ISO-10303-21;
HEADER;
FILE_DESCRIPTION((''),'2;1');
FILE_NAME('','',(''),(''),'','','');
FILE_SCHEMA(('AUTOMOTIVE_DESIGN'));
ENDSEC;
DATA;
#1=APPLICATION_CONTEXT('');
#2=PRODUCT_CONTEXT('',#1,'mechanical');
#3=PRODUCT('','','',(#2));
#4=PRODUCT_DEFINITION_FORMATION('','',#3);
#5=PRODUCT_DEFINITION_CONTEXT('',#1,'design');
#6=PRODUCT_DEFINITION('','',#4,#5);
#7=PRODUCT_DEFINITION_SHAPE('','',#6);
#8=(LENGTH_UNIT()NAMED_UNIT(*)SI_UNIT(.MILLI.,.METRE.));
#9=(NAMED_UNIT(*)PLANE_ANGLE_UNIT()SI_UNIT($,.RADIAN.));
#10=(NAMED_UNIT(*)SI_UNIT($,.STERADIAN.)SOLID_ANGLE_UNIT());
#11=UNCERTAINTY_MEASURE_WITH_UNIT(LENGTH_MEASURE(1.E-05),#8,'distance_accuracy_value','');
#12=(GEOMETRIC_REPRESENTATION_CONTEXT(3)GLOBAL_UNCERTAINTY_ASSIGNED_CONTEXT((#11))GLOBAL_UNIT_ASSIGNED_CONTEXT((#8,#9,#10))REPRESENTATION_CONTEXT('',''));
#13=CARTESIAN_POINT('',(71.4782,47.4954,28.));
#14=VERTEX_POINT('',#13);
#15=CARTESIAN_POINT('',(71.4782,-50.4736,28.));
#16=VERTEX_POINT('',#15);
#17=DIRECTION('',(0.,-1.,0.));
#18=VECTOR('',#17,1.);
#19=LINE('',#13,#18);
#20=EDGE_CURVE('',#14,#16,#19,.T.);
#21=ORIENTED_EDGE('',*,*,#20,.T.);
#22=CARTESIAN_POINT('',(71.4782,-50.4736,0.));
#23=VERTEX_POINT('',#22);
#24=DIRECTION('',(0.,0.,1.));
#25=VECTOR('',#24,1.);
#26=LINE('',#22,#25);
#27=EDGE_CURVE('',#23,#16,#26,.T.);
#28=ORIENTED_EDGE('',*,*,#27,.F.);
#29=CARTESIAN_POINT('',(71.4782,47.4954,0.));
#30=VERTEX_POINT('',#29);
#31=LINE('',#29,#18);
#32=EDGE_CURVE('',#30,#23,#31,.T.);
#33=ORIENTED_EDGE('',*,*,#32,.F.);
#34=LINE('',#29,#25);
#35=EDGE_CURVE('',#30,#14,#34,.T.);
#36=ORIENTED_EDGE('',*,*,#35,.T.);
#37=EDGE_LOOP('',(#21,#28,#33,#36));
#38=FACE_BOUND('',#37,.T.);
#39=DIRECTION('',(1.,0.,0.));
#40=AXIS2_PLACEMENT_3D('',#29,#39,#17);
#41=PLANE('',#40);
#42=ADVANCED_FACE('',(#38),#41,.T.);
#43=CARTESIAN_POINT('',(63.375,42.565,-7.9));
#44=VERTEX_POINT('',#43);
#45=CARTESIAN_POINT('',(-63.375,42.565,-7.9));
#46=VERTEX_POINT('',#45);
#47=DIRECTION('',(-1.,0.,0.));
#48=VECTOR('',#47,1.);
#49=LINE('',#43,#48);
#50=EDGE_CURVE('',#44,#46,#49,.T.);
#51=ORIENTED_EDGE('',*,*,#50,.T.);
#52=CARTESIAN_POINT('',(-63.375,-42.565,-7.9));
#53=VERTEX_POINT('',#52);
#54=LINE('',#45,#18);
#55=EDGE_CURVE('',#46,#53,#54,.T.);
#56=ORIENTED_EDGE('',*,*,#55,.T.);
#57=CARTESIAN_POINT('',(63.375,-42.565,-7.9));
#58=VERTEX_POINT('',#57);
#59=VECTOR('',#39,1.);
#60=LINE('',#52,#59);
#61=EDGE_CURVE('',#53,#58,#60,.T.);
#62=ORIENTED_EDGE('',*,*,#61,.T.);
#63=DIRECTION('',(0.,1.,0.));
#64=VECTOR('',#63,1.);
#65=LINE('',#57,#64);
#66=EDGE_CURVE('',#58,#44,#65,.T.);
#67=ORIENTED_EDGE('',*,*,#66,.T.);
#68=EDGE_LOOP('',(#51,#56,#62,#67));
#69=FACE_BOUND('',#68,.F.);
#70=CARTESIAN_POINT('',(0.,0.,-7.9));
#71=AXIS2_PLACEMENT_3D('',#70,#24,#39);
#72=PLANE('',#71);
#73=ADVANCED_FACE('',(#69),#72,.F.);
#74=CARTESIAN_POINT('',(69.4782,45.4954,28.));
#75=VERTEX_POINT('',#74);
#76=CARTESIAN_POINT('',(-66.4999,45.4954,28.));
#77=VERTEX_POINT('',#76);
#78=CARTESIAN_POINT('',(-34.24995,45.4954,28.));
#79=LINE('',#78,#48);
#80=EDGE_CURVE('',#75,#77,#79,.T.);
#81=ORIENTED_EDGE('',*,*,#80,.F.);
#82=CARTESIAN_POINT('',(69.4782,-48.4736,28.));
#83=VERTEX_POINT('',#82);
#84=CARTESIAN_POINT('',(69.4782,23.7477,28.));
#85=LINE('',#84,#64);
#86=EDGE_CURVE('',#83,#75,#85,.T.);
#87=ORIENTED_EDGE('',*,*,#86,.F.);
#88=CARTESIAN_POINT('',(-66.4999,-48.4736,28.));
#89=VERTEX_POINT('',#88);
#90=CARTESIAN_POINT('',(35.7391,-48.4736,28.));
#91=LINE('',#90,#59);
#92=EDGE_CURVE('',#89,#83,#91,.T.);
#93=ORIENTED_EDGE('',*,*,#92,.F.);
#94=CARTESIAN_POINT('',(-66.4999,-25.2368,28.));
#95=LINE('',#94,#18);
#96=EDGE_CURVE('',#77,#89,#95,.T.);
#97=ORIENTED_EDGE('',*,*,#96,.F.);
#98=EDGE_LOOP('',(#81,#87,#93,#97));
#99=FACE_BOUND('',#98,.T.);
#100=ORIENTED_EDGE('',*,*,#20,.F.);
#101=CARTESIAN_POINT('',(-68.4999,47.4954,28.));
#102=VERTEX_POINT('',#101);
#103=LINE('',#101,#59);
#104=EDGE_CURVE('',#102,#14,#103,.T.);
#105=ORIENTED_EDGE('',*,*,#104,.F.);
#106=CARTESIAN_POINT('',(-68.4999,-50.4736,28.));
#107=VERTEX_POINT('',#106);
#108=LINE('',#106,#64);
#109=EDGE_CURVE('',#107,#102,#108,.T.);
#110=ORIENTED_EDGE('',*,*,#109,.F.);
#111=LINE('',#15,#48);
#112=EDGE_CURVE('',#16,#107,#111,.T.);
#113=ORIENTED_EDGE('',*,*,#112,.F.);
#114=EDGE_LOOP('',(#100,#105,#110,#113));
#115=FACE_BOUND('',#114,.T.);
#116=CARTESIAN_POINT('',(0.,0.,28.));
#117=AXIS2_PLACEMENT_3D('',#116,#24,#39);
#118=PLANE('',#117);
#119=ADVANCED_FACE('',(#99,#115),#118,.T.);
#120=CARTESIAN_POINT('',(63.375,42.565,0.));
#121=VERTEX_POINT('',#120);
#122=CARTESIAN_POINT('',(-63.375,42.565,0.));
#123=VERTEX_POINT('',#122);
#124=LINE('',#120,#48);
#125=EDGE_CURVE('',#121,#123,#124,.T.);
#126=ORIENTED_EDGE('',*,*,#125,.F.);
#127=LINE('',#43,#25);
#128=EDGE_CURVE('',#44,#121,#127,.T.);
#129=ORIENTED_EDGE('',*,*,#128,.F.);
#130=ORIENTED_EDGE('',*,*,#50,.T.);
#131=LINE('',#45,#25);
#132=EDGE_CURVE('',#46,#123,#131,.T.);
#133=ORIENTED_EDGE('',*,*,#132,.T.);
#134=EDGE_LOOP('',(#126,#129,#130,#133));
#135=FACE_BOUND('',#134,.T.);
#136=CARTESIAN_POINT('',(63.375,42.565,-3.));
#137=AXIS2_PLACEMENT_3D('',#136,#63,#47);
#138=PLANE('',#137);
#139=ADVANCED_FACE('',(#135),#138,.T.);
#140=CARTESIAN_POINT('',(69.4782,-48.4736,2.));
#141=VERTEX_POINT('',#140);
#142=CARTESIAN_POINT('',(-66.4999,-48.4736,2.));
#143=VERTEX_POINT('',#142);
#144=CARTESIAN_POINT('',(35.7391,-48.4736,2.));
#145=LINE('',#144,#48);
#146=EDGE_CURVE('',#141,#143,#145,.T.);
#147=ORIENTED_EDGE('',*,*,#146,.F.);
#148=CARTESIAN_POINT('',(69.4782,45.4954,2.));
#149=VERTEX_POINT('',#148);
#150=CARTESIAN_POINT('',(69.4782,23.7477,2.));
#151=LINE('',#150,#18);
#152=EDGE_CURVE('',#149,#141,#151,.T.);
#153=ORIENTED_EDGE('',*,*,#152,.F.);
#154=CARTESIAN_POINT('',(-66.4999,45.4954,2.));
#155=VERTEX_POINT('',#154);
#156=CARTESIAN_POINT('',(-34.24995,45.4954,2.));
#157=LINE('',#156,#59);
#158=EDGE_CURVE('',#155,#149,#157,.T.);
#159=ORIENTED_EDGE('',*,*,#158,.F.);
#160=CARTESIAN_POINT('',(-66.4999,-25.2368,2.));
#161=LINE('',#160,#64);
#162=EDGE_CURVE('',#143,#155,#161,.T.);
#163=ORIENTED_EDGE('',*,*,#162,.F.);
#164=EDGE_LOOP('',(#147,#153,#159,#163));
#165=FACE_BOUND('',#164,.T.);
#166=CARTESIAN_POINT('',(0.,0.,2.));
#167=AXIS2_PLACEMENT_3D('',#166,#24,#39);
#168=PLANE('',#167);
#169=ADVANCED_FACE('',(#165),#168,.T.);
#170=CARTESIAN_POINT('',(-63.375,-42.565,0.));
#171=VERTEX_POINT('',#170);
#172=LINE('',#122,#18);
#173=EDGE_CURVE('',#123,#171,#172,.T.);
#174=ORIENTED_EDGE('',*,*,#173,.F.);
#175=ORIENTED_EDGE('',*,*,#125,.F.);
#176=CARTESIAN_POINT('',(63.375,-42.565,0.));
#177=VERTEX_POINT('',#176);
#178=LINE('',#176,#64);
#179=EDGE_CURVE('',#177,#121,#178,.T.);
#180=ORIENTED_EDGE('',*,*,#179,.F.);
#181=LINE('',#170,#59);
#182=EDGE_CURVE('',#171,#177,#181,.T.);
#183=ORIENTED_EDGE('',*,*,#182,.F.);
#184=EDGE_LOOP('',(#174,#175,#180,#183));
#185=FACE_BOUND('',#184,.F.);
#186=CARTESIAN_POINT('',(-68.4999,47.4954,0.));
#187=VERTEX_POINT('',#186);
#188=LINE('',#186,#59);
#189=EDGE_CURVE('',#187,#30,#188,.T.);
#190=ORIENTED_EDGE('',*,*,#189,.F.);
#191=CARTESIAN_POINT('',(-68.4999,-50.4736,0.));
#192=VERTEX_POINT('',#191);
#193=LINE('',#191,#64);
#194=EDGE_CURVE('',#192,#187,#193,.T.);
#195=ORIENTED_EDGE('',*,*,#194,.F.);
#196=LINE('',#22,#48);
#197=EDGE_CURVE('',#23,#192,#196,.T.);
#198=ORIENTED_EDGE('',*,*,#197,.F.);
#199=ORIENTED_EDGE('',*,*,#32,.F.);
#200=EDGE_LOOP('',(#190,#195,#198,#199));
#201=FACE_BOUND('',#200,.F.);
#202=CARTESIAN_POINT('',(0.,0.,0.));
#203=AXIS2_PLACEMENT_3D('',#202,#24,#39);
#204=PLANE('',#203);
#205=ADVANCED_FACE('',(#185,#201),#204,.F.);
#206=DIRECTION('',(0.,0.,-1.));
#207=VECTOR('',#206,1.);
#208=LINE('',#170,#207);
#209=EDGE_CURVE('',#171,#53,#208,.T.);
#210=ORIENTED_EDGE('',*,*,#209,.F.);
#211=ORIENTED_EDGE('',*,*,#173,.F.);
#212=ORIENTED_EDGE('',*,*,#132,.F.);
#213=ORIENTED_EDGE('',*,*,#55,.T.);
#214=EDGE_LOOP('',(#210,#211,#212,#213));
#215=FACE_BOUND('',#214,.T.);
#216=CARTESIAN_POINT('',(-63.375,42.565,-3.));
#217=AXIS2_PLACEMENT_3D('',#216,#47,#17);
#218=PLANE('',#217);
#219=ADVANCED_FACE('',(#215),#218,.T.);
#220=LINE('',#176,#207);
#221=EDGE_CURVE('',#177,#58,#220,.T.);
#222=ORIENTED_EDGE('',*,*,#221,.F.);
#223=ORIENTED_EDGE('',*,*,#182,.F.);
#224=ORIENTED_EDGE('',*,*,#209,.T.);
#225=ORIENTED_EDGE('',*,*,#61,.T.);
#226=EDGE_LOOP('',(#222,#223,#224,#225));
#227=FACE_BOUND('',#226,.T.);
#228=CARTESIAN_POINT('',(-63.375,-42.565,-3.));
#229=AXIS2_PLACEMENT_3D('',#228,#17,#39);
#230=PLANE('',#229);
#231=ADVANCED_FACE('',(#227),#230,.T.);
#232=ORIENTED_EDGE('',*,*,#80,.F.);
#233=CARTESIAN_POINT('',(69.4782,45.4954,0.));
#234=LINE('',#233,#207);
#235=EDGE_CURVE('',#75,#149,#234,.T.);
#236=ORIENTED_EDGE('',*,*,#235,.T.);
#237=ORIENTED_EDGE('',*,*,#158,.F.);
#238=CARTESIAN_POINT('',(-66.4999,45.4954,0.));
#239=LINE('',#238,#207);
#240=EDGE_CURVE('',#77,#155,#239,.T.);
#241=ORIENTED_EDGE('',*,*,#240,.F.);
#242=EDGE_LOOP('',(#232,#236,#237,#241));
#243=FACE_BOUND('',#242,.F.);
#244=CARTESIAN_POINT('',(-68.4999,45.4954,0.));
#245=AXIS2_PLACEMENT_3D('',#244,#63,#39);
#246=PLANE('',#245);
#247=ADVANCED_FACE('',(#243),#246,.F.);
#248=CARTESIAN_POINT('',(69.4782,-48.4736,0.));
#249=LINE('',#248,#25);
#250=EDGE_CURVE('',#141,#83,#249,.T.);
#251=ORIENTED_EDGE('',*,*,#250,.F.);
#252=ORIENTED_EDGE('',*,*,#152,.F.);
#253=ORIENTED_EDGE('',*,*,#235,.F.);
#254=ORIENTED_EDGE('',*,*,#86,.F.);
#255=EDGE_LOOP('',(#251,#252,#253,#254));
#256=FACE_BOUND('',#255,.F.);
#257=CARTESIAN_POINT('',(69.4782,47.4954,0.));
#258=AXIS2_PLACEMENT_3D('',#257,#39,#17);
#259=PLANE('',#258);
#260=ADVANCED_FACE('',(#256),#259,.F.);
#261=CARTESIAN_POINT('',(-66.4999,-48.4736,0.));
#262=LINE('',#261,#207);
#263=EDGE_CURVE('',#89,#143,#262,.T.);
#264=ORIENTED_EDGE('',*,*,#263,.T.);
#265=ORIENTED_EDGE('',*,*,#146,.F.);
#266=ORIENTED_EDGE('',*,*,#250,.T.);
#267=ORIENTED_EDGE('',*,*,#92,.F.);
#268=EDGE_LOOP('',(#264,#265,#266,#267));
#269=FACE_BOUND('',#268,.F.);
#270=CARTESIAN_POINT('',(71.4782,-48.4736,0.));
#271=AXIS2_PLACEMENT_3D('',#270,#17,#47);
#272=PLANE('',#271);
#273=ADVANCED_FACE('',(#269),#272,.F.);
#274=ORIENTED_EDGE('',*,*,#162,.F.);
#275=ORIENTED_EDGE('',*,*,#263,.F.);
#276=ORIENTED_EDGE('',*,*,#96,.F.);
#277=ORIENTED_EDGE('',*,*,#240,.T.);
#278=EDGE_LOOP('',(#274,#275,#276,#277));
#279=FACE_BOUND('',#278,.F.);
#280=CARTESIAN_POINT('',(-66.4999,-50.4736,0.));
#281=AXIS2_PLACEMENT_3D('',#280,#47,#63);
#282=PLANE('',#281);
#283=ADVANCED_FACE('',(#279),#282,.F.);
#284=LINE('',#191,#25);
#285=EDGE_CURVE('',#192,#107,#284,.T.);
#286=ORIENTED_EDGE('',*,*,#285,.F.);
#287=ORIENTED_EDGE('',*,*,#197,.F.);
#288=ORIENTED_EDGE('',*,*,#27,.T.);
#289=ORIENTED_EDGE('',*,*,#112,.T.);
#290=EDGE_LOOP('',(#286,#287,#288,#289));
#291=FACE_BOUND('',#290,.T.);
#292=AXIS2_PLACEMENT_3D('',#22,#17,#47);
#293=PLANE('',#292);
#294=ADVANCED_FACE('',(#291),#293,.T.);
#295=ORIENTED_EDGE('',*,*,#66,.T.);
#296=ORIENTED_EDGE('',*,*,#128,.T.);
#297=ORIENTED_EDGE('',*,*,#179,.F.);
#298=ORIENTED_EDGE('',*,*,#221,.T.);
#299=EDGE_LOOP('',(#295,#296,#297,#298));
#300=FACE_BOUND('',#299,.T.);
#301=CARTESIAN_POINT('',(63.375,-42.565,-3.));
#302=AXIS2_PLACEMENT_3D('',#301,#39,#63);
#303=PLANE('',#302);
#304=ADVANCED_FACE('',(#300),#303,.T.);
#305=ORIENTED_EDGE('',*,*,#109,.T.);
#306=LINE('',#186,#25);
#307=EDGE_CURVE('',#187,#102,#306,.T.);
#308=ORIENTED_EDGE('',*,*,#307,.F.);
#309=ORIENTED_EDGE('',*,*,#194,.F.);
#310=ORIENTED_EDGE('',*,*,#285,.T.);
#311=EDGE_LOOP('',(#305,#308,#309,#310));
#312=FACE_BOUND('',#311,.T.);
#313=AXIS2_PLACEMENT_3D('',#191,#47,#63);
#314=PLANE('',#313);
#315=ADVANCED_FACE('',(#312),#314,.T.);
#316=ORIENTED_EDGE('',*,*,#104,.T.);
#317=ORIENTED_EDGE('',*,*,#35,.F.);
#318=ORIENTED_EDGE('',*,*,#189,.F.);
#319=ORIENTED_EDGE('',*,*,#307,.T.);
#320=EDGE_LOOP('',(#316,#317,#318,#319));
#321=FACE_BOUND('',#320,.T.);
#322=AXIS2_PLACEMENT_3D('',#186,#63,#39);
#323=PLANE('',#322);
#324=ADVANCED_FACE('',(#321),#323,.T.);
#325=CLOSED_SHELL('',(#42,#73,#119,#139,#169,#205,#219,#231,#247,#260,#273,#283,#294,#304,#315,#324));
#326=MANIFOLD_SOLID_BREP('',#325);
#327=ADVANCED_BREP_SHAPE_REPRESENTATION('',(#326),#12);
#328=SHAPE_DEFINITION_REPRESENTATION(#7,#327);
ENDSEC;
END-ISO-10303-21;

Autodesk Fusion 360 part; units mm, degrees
sketch "Sketch1" plane through (0, 0, 0) normal (0, 0, 1) x (1, 0, 0)
  line L0 (63.375, 42.565) -> (-63.375, 42.565)
  line L1 (-63.375, 42.565) -> (-63.375, -42.565)
  line L2 (-63.375, -42.565) -> (63.375, -42.565)
  line L3 (63.375, -42.565) -> (63.375, 42.565)
  line L4 (63.375, 42.565) -> (-63.375, -42.565) construction
  line L5 (-63.375, 42.565) -> (63.375, -42.565) construction
  line L6 (-68.375, 47.565) -> (68.375, 47.565)
  line L7 (68.375, 47.565) -> (68.375, -47.565)
  line L8 (68.375, -47.565) -> (-68.375, -47.565)
  line L9 (-68.375, -47.565) -> (-68.375, 47.565)
  line L10 (-68.375, 47.565) -> (68.375, -47.565) construction
  line L11 (68.375, 47.565) -> (-68.375, -47.565) construction
  line L12 (71.5, 47.565) -> (68.5, 47.565)
  line L13 (68.5, 47.565) -> (68.5, -47.565)
  line L14 (68.5, -47.565) -> (71.5, -47.565)
  line L15 (71.5, -47.565) -> (71.5, 47.565)
  line L16 (71.5, 47.565) -> (68.5, -47.565) construction
  line L17 (68.5, 47.565) -> (71.5, -47.565) construction
  line L18 (71.4437, -50.4298) -> (-68.3063, -50.4298)
  line L19 (-68.3063, -50.4298) -> (-68.3063, -47.4298)
  line L20 (-68.3063, -47.4298) -> (71.4437, -47.4298)
  line L21 (71.4437, -47.4298) -> (71.4437, -50.4298)
  line L22 (71.4437, -50.4298) -> (-68.3063, -47.4298) construction
  line L23 (-68.3063, -50.4298) -> (71.4437, -47.4298) construction
  point P0 (70, 0)
  point P1 (1.5687, -48.9298)
  dimension "d1" = 126.75
  dimension "d2" = 85.13
  dimension "d3" = 136.75
  dimension "d4" = 95.13
  dimension "d5" = 3
  dimension "d6" = 139.75
  dimension "d7" = 3
sketch "Sketch2" plane through (0, 0, 0) normal (0, 0, 1) x (1, 0, 0)
sketch "Sketch3" plane through (0, 0, 0) normal (0, 0, 1) x (1, 0, 0)
  line L0 (71.4782, -50.4736) -> (-68.4999, -50.4736)
  line L1 (-68.4999, -50.4736) -> (-68.4999, 47.4954)
  line L2 (-68.4999, 47.4954) -> (71.4782, 47.4954)
  line L3 (71.4782, 47.4954) -> (71.4782, -50.4736)
extrude "Extrude1" add sketch "Sketch3" along normal blind 28
shell "Shell1" thickness 2 removed faces 1 at (-21.8406, -17.8173, 28)
extrude "Extrude2" add sketch "Sketch1" against normal blind 3 contours L0 L1 L2 L3
extrude "Extrude3" add 1 faces at (-21.125, -14.1883, -3) along direction (0, 0, -1) blind 4.9
